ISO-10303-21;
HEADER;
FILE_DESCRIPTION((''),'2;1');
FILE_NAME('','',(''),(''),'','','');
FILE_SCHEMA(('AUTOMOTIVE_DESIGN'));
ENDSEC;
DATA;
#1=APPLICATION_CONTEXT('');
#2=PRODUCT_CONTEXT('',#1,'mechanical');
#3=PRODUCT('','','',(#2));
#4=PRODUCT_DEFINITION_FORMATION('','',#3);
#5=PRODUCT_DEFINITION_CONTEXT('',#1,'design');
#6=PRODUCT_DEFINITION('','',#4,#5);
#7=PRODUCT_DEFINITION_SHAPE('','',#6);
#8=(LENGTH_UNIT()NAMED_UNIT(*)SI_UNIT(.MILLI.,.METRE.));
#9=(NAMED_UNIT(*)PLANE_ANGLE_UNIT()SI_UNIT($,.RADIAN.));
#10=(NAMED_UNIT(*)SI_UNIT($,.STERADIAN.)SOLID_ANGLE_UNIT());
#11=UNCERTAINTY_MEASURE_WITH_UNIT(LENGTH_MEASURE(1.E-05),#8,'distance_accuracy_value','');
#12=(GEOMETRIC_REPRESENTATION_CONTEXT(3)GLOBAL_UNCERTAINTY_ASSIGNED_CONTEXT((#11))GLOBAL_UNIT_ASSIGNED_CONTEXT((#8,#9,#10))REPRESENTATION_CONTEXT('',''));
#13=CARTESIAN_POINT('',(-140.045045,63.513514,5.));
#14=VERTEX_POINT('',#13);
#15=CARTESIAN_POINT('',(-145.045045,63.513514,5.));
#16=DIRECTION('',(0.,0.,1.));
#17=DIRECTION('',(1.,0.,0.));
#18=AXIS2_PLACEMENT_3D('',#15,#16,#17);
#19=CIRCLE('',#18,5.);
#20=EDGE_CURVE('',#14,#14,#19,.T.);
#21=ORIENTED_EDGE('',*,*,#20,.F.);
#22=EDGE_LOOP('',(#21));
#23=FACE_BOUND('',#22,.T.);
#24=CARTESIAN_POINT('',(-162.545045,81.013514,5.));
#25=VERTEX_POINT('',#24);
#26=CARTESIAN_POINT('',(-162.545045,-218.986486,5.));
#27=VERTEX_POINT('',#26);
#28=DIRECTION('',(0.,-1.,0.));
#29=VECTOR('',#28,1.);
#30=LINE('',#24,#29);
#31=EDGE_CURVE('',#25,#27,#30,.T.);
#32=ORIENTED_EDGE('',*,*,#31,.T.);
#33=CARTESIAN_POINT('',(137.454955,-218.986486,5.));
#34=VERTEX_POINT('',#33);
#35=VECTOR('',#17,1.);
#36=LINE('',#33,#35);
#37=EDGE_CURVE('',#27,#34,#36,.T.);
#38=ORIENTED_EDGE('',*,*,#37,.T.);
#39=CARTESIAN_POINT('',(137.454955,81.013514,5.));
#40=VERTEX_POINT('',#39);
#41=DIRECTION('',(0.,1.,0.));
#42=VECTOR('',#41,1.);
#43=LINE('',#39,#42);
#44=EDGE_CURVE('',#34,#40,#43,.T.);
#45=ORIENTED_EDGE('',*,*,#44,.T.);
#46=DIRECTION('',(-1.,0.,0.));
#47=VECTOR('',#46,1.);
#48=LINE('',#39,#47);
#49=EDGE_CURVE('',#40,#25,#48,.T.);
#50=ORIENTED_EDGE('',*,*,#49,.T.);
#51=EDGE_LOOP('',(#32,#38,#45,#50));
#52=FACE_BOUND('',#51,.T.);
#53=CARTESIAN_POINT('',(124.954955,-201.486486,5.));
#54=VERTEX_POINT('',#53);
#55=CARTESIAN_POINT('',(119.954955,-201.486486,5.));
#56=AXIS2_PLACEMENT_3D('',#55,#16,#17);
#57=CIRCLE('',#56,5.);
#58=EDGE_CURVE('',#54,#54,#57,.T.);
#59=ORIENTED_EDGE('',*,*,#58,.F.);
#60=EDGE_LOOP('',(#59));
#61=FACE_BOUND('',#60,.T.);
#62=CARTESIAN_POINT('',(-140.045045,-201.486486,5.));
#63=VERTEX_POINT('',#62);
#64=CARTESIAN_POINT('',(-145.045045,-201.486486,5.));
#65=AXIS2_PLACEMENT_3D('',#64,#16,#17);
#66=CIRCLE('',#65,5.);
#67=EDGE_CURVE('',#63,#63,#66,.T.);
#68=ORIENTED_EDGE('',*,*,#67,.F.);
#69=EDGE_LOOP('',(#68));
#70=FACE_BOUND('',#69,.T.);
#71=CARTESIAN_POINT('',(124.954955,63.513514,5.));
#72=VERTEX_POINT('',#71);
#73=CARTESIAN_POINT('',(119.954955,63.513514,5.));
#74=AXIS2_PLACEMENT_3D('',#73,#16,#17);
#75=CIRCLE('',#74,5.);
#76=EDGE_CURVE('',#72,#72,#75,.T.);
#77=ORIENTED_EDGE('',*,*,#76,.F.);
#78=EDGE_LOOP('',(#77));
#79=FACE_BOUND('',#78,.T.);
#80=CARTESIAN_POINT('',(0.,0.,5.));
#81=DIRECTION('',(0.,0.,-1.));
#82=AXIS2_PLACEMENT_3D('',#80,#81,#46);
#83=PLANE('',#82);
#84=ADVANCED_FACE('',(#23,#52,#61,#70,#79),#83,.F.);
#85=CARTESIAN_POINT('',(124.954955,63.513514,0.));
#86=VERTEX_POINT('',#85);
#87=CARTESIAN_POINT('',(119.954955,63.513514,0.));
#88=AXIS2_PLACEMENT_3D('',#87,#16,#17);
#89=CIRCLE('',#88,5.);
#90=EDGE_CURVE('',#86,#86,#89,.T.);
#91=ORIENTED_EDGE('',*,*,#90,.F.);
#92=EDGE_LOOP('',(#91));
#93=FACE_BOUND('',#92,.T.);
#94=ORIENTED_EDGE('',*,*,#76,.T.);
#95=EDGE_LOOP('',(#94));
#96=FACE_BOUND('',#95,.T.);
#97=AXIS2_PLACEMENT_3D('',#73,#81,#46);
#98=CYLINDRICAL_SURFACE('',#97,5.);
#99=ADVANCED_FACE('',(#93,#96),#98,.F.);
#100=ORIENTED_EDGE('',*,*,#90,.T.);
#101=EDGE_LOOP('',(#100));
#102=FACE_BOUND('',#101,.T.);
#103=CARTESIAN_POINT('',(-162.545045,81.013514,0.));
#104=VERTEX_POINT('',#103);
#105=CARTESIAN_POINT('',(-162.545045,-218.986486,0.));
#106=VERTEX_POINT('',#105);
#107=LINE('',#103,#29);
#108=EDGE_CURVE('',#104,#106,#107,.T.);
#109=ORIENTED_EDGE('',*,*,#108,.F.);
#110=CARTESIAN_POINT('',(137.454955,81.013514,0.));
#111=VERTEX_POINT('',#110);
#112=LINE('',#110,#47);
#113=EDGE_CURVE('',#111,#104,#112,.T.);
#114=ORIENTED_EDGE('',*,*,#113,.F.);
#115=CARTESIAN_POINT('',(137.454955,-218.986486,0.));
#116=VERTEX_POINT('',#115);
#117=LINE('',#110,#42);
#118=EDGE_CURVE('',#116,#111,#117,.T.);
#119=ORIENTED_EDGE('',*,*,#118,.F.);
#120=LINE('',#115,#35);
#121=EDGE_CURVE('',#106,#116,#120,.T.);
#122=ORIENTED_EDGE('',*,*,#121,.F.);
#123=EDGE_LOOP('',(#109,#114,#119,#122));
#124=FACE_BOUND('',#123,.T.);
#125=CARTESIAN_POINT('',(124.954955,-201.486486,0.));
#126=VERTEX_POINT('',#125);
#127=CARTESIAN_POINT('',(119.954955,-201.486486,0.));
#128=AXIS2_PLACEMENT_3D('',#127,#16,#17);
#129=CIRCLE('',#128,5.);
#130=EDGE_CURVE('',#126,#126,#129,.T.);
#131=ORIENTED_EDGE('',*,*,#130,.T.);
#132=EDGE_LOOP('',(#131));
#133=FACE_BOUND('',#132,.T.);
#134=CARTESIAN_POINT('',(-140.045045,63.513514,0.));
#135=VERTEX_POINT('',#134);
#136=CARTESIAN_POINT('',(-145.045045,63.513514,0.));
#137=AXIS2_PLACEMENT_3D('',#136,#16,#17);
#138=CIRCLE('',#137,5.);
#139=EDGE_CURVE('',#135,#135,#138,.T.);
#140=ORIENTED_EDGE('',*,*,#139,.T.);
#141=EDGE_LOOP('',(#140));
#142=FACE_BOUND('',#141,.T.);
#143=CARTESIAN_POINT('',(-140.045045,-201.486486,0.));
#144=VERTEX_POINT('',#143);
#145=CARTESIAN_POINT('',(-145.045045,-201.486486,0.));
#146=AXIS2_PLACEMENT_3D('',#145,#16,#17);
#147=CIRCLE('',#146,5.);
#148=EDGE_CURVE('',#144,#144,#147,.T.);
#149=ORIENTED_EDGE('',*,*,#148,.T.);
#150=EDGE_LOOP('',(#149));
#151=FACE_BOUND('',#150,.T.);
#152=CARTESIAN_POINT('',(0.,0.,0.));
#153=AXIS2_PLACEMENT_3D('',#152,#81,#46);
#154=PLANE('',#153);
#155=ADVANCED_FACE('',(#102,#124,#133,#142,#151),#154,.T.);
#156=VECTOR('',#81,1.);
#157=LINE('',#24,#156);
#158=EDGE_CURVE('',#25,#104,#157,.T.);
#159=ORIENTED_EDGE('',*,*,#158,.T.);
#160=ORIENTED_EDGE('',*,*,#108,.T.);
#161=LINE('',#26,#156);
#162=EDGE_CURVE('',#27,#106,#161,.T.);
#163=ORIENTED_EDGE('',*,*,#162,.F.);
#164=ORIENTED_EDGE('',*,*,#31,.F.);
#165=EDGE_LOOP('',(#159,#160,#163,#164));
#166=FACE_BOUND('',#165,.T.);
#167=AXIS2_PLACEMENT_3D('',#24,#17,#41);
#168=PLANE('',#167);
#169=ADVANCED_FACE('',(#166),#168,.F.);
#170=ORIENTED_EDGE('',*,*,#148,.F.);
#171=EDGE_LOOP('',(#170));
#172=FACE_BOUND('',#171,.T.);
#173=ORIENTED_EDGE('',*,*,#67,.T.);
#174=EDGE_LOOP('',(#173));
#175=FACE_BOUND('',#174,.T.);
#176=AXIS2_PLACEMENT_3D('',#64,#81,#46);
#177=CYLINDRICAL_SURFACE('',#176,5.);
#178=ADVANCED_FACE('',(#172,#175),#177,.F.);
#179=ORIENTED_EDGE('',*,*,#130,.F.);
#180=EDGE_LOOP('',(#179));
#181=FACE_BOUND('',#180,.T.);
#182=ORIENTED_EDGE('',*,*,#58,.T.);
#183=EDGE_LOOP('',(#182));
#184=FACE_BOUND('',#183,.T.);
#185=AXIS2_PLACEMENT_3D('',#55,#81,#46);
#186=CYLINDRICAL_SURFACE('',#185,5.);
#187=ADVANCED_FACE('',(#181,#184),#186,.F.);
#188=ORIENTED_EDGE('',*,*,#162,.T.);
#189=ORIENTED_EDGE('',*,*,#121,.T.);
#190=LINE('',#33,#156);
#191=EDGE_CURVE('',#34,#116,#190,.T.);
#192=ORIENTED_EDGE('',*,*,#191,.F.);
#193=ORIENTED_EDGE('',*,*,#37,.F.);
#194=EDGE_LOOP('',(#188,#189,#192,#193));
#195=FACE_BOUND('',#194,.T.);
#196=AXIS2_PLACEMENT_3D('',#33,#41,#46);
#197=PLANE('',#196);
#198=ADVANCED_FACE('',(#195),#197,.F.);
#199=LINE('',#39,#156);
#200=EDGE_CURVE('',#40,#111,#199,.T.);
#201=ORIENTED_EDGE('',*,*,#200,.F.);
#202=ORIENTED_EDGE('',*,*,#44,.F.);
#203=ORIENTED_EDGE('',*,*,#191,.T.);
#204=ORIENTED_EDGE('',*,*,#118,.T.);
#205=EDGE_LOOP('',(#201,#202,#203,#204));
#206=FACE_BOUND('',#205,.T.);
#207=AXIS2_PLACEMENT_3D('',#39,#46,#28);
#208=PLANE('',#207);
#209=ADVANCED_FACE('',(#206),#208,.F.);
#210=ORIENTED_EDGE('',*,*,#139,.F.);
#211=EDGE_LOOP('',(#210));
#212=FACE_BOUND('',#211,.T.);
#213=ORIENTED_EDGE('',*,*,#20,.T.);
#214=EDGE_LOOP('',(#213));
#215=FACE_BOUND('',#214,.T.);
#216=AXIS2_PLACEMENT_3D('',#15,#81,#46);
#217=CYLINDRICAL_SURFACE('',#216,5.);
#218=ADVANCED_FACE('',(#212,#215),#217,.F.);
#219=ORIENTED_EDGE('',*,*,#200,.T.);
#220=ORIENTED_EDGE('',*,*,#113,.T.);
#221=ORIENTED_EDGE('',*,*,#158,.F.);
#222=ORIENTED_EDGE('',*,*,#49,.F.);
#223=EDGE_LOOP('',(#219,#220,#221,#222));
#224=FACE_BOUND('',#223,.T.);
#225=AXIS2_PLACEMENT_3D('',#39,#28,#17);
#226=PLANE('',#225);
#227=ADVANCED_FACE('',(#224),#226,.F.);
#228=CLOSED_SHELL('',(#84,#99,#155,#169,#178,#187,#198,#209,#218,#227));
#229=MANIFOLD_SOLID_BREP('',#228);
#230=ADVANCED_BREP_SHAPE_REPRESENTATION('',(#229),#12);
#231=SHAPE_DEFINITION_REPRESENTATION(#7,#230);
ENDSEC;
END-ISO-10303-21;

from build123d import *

# Parameters (mm, degrees)
SKETCH1_W           = 300
SKETCH1_H           = 300
SKETCH1_R           = 5
BOSS_EXTRUDE1_DEPTH = 5


with BuildPart() as part:
    # Sketch1 → Boss-Extrude1 (new body)
    with BuildSketch(Plane.XY):
        with Locations((-12.545045045, -68.986486486)):
            Rectangle(SKETCH1_W, SKETCH1_H)
        with Locations((-145.045045045, 63.513513514)):
            Circle(SKETCH1_R, mode=Mode.SUBTRACT)
        with Locations((119.954954955, 63.513513514)):
            Circle(SKETCH1_R, mode=Mode.SUBTRACT)
        with Locations((119.954954955, -201.486486486)):
            Circle(SKETCH1_R, mode=Mode.SUBTRACT)
        with Locations((-145.045045045, -201.486486486)):
            Circle(SKETCH1_R, mode=Mode.SUBTRACT)
    extrude(amount=BOSS_EXTRUDE1_DEPTH)


solid = part.part
